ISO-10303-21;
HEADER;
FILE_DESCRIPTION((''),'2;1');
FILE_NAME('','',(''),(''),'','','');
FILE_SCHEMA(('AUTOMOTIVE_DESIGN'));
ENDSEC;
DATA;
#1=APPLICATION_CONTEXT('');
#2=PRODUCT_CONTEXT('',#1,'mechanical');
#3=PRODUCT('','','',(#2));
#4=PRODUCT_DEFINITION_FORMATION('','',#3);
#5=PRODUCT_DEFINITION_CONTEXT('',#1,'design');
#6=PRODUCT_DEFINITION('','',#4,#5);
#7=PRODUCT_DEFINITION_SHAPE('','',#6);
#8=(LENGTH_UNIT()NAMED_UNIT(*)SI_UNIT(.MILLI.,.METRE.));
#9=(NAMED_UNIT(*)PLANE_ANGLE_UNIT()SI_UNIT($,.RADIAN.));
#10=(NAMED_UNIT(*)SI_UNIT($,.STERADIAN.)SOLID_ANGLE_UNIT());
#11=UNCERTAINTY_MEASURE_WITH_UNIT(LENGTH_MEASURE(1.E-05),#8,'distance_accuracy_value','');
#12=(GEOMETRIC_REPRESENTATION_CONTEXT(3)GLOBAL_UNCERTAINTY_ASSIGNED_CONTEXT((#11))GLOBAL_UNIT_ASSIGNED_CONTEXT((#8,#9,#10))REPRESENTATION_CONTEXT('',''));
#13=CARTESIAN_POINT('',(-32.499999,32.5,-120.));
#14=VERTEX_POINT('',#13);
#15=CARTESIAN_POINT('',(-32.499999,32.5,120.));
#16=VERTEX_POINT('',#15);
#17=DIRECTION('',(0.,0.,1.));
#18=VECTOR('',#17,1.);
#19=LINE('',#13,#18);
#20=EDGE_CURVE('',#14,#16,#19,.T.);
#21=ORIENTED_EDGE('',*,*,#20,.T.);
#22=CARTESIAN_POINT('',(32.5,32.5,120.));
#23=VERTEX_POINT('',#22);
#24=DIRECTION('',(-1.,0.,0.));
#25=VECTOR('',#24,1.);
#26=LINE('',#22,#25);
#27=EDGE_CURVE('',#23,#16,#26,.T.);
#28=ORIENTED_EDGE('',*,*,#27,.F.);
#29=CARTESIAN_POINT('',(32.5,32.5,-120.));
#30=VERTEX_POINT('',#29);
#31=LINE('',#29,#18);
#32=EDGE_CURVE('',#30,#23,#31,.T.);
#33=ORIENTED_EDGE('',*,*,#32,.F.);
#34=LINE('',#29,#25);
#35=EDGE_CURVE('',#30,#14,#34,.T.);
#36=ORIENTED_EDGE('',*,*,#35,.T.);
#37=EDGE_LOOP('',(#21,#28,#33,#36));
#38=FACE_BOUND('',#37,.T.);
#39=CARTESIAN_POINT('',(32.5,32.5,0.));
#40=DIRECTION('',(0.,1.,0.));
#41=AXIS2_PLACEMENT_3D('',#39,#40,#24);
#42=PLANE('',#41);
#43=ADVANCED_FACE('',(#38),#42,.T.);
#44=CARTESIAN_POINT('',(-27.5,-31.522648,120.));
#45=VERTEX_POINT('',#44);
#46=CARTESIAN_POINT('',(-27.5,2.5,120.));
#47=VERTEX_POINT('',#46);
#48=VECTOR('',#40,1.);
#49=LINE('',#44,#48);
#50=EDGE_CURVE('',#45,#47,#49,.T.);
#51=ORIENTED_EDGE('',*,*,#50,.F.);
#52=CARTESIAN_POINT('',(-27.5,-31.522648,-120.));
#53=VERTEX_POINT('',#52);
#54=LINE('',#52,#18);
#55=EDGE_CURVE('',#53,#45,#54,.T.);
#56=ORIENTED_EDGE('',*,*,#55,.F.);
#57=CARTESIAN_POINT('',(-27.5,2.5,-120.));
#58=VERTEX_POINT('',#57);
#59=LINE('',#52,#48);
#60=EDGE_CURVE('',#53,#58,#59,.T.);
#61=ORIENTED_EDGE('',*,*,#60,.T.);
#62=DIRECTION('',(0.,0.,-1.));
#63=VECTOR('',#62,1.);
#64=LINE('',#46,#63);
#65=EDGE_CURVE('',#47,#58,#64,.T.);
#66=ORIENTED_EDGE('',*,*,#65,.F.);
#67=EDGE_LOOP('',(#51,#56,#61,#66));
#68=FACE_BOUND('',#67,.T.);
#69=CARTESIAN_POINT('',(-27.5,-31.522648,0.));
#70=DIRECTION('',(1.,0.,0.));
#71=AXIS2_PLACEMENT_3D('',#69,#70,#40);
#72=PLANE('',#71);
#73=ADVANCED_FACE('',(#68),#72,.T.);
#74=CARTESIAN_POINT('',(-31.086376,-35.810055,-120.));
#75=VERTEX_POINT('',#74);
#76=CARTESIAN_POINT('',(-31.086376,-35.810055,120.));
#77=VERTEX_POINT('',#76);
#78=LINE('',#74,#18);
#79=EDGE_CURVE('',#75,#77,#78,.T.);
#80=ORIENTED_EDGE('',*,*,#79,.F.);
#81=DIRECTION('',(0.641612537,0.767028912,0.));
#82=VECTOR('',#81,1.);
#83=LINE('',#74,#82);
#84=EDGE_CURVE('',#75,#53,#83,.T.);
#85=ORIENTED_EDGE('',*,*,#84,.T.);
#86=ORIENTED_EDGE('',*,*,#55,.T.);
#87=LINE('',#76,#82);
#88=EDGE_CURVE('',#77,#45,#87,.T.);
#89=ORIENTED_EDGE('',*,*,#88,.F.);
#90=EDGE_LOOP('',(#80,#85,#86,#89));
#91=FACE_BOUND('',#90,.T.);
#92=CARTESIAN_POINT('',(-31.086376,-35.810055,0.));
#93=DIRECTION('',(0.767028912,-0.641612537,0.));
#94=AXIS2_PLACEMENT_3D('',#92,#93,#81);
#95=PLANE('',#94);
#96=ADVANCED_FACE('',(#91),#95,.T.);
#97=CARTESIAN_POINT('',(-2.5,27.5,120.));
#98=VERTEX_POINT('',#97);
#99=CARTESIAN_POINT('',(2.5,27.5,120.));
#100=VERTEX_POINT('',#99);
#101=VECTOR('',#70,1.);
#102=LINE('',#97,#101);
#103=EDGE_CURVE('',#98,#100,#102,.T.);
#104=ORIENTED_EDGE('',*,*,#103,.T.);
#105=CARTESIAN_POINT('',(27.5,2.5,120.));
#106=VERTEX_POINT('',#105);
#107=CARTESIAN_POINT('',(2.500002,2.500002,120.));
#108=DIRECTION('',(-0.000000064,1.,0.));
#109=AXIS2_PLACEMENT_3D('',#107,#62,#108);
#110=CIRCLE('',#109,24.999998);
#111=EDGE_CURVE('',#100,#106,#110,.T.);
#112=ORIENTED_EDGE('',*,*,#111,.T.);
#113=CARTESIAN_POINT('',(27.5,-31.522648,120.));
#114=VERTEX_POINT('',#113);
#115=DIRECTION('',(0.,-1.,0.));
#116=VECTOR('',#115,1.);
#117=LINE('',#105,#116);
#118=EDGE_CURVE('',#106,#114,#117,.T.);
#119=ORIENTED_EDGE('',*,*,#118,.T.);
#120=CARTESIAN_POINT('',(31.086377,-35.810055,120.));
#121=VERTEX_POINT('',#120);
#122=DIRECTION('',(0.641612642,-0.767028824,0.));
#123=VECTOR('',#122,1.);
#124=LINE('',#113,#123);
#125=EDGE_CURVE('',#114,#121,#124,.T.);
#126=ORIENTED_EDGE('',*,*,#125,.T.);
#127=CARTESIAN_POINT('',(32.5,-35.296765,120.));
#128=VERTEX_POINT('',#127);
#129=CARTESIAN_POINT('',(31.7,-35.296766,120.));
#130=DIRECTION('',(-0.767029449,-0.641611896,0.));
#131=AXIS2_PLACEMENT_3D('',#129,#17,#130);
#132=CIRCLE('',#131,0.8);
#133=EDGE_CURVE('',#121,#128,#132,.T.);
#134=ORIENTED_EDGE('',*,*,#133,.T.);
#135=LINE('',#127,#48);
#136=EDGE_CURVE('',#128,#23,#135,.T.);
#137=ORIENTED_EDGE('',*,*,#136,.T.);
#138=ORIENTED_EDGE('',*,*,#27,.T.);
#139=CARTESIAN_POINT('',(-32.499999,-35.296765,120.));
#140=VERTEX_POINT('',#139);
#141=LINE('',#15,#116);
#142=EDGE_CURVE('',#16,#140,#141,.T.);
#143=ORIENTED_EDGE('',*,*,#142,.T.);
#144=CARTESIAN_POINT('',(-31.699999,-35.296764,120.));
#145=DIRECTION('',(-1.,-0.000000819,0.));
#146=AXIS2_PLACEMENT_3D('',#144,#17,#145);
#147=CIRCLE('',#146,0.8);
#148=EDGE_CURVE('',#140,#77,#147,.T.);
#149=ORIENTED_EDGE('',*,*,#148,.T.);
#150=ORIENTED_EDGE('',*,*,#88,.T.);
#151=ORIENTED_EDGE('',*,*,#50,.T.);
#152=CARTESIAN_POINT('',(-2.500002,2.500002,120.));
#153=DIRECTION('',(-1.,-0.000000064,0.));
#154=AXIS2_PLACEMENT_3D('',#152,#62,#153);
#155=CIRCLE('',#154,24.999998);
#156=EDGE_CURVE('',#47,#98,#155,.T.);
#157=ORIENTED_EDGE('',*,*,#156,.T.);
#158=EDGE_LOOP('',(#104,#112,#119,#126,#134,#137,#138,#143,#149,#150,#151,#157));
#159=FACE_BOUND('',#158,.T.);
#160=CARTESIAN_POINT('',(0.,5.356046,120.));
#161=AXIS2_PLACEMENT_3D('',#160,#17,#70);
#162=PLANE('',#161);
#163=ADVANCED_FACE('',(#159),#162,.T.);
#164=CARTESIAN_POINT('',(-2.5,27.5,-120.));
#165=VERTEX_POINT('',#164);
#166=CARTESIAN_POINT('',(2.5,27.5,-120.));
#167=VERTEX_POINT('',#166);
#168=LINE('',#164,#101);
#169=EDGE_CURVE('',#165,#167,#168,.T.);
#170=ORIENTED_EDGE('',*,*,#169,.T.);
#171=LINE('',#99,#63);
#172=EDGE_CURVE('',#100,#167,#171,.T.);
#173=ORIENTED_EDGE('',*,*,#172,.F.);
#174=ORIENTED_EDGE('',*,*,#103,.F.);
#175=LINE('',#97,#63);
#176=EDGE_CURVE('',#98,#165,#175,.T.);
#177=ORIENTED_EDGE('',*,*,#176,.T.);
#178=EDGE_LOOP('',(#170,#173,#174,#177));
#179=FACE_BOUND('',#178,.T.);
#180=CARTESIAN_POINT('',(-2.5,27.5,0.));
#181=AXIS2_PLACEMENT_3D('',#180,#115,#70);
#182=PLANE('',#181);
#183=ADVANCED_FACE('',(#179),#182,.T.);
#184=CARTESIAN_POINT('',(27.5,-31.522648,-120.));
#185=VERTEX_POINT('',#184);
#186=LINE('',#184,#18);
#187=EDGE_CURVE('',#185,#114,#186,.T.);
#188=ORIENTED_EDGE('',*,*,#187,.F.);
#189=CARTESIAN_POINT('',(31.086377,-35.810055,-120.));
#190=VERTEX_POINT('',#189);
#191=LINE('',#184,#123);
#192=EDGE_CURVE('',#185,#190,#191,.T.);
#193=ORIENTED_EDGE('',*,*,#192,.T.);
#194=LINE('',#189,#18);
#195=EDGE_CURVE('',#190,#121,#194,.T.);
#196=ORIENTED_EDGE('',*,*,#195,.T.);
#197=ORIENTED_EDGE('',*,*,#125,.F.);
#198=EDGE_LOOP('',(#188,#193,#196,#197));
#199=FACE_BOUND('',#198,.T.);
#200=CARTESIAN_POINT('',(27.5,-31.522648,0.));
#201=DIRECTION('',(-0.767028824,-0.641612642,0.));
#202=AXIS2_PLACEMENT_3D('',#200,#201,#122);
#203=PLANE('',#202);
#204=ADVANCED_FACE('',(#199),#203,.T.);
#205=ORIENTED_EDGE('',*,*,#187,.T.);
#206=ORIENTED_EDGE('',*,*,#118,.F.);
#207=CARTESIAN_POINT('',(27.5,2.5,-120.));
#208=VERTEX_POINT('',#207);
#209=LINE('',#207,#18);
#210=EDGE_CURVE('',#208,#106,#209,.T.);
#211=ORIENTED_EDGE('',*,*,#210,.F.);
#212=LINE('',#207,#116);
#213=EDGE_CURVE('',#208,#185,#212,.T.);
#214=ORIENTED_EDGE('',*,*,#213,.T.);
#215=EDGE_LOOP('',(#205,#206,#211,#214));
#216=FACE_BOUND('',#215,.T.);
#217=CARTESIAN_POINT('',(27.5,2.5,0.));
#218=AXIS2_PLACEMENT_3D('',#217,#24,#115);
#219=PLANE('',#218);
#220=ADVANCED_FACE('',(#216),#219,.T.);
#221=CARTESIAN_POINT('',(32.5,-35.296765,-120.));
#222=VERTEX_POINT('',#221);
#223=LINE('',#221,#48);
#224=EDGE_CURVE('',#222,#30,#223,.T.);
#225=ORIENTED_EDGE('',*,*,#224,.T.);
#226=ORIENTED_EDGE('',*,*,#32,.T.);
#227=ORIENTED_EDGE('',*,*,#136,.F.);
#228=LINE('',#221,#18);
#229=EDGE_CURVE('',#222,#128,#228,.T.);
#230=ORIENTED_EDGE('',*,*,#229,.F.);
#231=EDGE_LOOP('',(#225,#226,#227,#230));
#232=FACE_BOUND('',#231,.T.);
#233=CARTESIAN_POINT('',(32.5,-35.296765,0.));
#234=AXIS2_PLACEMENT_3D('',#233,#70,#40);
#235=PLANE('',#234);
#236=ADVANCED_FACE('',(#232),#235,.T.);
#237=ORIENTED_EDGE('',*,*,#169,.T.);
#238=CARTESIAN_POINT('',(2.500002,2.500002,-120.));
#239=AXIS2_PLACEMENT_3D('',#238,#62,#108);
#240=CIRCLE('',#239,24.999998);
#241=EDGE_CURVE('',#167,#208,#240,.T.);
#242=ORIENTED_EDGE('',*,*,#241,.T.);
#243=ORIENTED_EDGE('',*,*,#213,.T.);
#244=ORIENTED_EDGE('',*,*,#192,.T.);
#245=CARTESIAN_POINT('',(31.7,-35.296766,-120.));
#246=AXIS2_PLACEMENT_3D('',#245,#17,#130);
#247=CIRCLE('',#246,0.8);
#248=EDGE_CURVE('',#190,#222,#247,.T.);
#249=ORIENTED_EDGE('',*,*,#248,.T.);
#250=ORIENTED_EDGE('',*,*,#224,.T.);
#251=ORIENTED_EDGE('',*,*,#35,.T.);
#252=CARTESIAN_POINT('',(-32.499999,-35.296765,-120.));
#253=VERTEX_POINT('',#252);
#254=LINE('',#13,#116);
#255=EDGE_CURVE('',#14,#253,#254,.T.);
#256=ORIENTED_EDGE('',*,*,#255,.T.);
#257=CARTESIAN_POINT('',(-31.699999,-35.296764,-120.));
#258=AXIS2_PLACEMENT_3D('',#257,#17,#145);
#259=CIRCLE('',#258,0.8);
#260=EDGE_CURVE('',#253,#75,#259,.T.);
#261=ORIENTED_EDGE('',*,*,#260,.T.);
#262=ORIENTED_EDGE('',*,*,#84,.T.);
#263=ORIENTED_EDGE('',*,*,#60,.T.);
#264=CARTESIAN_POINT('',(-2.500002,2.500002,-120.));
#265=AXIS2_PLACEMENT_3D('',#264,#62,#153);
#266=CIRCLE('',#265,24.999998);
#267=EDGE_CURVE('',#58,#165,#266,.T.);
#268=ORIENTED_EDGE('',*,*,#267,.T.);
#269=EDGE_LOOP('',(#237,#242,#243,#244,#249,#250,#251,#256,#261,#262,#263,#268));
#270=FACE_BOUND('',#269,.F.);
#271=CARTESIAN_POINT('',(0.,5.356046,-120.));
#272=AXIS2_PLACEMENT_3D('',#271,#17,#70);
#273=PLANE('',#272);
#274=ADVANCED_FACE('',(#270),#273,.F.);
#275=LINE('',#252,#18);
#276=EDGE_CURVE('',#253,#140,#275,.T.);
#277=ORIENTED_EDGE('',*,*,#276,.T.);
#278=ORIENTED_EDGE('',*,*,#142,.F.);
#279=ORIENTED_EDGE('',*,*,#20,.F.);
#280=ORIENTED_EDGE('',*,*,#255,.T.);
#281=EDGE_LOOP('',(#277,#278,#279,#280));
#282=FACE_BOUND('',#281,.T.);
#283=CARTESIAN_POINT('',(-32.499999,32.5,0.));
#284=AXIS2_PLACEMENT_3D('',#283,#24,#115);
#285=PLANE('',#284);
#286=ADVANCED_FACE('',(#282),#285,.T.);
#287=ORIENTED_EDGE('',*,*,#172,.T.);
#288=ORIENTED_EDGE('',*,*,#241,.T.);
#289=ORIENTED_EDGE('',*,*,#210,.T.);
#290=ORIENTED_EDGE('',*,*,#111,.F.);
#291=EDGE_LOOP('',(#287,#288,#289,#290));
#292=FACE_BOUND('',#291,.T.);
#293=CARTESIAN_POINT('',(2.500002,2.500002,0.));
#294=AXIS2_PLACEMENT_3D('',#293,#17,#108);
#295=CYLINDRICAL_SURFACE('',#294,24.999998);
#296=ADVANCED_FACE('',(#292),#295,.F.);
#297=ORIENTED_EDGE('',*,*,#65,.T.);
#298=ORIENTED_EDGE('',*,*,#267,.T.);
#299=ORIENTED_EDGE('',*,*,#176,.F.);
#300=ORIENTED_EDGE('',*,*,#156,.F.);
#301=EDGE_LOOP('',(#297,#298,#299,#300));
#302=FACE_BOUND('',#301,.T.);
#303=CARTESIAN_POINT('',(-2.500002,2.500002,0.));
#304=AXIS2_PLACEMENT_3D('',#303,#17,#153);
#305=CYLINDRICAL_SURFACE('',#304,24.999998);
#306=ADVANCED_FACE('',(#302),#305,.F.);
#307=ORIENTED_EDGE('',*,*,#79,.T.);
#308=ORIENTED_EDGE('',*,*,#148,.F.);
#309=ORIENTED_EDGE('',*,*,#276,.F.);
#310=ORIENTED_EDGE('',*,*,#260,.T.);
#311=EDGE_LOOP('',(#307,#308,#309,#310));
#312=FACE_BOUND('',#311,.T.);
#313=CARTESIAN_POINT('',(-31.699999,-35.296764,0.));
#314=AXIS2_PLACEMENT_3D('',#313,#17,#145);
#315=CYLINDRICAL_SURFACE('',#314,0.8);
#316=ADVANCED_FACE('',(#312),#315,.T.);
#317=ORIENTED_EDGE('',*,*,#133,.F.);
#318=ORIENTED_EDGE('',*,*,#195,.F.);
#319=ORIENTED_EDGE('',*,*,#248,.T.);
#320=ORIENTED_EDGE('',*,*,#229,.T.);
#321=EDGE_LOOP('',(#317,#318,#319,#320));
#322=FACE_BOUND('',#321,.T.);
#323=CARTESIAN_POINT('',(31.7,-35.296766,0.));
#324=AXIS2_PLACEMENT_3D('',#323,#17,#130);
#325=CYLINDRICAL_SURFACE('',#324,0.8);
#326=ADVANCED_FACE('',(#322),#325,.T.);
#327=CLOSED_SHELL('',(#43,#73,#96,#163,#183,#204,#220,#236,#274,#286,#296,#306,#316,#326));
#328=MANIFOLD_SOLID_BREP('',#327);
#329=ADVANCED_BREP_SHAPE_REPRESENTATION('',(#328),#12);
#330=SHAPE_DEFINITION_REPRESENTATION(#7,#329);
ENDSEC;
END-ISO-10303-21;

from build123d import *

# Parameters (mm, degrees)
F1_DEPTH      = 120
F1_DEPTH_BACK = 120


with BuildPart() as f1:
    # F0 (on Top) → F1 (new body, two sides)
    with BuildSketch(Plane.XY) as f1_sk:
        with BuildLine():
            Line((0, 27.5), (2.5, 27.5))
            ThreePointArc((2.5, 27.5), (20.17767, 20.17767), (27.5, 2.5))
            Line((27.5, 2.5), (27.5, 0))
            Line((27.5, 0), (27.5, -31.522648))
            Line((27.5, -31.522648), (31.086377, -35.810055))
            ThreePointArc((31.086377, -35.810055), (31.97304, -36.048729), (32.5, -35.296765))
            Line((32.5, -35.296765), (32.5, -32.5))
            Line((32.5, -32.5), (32.5, 32.5))
            Line((32.5, 32.5), (-32.499999, 32.5))
            Line((-32.499999, 32.5), (-32.499999, -32.5))
            Line((-32.499999, -32.5), (-32.499999, -35.296765))
            ThreePointArc((-32.499999, -35.296765), (-31.973039, -36.048728), (-31.086376, -35.810055))
            Line((-31.086376, -35.810055), (-27.5, -31.522648))
            Line((-27.5, -31.522648), (-27.5, 0))
            Line((-27.5, 0), (-27.5, 2.5))
            ThreePointArc((-27.5, 2.5), (-20.17767, 20.17767), (-2.5, 27.5))
            Line((-2.5, 27.5), (0, 27.5))
        make_face()
    extrude(amount=F1_DEPTH)
    extrude(f1_sk.sketch, amount=-F1_DEPTH_BACK)


solid = f1.part
